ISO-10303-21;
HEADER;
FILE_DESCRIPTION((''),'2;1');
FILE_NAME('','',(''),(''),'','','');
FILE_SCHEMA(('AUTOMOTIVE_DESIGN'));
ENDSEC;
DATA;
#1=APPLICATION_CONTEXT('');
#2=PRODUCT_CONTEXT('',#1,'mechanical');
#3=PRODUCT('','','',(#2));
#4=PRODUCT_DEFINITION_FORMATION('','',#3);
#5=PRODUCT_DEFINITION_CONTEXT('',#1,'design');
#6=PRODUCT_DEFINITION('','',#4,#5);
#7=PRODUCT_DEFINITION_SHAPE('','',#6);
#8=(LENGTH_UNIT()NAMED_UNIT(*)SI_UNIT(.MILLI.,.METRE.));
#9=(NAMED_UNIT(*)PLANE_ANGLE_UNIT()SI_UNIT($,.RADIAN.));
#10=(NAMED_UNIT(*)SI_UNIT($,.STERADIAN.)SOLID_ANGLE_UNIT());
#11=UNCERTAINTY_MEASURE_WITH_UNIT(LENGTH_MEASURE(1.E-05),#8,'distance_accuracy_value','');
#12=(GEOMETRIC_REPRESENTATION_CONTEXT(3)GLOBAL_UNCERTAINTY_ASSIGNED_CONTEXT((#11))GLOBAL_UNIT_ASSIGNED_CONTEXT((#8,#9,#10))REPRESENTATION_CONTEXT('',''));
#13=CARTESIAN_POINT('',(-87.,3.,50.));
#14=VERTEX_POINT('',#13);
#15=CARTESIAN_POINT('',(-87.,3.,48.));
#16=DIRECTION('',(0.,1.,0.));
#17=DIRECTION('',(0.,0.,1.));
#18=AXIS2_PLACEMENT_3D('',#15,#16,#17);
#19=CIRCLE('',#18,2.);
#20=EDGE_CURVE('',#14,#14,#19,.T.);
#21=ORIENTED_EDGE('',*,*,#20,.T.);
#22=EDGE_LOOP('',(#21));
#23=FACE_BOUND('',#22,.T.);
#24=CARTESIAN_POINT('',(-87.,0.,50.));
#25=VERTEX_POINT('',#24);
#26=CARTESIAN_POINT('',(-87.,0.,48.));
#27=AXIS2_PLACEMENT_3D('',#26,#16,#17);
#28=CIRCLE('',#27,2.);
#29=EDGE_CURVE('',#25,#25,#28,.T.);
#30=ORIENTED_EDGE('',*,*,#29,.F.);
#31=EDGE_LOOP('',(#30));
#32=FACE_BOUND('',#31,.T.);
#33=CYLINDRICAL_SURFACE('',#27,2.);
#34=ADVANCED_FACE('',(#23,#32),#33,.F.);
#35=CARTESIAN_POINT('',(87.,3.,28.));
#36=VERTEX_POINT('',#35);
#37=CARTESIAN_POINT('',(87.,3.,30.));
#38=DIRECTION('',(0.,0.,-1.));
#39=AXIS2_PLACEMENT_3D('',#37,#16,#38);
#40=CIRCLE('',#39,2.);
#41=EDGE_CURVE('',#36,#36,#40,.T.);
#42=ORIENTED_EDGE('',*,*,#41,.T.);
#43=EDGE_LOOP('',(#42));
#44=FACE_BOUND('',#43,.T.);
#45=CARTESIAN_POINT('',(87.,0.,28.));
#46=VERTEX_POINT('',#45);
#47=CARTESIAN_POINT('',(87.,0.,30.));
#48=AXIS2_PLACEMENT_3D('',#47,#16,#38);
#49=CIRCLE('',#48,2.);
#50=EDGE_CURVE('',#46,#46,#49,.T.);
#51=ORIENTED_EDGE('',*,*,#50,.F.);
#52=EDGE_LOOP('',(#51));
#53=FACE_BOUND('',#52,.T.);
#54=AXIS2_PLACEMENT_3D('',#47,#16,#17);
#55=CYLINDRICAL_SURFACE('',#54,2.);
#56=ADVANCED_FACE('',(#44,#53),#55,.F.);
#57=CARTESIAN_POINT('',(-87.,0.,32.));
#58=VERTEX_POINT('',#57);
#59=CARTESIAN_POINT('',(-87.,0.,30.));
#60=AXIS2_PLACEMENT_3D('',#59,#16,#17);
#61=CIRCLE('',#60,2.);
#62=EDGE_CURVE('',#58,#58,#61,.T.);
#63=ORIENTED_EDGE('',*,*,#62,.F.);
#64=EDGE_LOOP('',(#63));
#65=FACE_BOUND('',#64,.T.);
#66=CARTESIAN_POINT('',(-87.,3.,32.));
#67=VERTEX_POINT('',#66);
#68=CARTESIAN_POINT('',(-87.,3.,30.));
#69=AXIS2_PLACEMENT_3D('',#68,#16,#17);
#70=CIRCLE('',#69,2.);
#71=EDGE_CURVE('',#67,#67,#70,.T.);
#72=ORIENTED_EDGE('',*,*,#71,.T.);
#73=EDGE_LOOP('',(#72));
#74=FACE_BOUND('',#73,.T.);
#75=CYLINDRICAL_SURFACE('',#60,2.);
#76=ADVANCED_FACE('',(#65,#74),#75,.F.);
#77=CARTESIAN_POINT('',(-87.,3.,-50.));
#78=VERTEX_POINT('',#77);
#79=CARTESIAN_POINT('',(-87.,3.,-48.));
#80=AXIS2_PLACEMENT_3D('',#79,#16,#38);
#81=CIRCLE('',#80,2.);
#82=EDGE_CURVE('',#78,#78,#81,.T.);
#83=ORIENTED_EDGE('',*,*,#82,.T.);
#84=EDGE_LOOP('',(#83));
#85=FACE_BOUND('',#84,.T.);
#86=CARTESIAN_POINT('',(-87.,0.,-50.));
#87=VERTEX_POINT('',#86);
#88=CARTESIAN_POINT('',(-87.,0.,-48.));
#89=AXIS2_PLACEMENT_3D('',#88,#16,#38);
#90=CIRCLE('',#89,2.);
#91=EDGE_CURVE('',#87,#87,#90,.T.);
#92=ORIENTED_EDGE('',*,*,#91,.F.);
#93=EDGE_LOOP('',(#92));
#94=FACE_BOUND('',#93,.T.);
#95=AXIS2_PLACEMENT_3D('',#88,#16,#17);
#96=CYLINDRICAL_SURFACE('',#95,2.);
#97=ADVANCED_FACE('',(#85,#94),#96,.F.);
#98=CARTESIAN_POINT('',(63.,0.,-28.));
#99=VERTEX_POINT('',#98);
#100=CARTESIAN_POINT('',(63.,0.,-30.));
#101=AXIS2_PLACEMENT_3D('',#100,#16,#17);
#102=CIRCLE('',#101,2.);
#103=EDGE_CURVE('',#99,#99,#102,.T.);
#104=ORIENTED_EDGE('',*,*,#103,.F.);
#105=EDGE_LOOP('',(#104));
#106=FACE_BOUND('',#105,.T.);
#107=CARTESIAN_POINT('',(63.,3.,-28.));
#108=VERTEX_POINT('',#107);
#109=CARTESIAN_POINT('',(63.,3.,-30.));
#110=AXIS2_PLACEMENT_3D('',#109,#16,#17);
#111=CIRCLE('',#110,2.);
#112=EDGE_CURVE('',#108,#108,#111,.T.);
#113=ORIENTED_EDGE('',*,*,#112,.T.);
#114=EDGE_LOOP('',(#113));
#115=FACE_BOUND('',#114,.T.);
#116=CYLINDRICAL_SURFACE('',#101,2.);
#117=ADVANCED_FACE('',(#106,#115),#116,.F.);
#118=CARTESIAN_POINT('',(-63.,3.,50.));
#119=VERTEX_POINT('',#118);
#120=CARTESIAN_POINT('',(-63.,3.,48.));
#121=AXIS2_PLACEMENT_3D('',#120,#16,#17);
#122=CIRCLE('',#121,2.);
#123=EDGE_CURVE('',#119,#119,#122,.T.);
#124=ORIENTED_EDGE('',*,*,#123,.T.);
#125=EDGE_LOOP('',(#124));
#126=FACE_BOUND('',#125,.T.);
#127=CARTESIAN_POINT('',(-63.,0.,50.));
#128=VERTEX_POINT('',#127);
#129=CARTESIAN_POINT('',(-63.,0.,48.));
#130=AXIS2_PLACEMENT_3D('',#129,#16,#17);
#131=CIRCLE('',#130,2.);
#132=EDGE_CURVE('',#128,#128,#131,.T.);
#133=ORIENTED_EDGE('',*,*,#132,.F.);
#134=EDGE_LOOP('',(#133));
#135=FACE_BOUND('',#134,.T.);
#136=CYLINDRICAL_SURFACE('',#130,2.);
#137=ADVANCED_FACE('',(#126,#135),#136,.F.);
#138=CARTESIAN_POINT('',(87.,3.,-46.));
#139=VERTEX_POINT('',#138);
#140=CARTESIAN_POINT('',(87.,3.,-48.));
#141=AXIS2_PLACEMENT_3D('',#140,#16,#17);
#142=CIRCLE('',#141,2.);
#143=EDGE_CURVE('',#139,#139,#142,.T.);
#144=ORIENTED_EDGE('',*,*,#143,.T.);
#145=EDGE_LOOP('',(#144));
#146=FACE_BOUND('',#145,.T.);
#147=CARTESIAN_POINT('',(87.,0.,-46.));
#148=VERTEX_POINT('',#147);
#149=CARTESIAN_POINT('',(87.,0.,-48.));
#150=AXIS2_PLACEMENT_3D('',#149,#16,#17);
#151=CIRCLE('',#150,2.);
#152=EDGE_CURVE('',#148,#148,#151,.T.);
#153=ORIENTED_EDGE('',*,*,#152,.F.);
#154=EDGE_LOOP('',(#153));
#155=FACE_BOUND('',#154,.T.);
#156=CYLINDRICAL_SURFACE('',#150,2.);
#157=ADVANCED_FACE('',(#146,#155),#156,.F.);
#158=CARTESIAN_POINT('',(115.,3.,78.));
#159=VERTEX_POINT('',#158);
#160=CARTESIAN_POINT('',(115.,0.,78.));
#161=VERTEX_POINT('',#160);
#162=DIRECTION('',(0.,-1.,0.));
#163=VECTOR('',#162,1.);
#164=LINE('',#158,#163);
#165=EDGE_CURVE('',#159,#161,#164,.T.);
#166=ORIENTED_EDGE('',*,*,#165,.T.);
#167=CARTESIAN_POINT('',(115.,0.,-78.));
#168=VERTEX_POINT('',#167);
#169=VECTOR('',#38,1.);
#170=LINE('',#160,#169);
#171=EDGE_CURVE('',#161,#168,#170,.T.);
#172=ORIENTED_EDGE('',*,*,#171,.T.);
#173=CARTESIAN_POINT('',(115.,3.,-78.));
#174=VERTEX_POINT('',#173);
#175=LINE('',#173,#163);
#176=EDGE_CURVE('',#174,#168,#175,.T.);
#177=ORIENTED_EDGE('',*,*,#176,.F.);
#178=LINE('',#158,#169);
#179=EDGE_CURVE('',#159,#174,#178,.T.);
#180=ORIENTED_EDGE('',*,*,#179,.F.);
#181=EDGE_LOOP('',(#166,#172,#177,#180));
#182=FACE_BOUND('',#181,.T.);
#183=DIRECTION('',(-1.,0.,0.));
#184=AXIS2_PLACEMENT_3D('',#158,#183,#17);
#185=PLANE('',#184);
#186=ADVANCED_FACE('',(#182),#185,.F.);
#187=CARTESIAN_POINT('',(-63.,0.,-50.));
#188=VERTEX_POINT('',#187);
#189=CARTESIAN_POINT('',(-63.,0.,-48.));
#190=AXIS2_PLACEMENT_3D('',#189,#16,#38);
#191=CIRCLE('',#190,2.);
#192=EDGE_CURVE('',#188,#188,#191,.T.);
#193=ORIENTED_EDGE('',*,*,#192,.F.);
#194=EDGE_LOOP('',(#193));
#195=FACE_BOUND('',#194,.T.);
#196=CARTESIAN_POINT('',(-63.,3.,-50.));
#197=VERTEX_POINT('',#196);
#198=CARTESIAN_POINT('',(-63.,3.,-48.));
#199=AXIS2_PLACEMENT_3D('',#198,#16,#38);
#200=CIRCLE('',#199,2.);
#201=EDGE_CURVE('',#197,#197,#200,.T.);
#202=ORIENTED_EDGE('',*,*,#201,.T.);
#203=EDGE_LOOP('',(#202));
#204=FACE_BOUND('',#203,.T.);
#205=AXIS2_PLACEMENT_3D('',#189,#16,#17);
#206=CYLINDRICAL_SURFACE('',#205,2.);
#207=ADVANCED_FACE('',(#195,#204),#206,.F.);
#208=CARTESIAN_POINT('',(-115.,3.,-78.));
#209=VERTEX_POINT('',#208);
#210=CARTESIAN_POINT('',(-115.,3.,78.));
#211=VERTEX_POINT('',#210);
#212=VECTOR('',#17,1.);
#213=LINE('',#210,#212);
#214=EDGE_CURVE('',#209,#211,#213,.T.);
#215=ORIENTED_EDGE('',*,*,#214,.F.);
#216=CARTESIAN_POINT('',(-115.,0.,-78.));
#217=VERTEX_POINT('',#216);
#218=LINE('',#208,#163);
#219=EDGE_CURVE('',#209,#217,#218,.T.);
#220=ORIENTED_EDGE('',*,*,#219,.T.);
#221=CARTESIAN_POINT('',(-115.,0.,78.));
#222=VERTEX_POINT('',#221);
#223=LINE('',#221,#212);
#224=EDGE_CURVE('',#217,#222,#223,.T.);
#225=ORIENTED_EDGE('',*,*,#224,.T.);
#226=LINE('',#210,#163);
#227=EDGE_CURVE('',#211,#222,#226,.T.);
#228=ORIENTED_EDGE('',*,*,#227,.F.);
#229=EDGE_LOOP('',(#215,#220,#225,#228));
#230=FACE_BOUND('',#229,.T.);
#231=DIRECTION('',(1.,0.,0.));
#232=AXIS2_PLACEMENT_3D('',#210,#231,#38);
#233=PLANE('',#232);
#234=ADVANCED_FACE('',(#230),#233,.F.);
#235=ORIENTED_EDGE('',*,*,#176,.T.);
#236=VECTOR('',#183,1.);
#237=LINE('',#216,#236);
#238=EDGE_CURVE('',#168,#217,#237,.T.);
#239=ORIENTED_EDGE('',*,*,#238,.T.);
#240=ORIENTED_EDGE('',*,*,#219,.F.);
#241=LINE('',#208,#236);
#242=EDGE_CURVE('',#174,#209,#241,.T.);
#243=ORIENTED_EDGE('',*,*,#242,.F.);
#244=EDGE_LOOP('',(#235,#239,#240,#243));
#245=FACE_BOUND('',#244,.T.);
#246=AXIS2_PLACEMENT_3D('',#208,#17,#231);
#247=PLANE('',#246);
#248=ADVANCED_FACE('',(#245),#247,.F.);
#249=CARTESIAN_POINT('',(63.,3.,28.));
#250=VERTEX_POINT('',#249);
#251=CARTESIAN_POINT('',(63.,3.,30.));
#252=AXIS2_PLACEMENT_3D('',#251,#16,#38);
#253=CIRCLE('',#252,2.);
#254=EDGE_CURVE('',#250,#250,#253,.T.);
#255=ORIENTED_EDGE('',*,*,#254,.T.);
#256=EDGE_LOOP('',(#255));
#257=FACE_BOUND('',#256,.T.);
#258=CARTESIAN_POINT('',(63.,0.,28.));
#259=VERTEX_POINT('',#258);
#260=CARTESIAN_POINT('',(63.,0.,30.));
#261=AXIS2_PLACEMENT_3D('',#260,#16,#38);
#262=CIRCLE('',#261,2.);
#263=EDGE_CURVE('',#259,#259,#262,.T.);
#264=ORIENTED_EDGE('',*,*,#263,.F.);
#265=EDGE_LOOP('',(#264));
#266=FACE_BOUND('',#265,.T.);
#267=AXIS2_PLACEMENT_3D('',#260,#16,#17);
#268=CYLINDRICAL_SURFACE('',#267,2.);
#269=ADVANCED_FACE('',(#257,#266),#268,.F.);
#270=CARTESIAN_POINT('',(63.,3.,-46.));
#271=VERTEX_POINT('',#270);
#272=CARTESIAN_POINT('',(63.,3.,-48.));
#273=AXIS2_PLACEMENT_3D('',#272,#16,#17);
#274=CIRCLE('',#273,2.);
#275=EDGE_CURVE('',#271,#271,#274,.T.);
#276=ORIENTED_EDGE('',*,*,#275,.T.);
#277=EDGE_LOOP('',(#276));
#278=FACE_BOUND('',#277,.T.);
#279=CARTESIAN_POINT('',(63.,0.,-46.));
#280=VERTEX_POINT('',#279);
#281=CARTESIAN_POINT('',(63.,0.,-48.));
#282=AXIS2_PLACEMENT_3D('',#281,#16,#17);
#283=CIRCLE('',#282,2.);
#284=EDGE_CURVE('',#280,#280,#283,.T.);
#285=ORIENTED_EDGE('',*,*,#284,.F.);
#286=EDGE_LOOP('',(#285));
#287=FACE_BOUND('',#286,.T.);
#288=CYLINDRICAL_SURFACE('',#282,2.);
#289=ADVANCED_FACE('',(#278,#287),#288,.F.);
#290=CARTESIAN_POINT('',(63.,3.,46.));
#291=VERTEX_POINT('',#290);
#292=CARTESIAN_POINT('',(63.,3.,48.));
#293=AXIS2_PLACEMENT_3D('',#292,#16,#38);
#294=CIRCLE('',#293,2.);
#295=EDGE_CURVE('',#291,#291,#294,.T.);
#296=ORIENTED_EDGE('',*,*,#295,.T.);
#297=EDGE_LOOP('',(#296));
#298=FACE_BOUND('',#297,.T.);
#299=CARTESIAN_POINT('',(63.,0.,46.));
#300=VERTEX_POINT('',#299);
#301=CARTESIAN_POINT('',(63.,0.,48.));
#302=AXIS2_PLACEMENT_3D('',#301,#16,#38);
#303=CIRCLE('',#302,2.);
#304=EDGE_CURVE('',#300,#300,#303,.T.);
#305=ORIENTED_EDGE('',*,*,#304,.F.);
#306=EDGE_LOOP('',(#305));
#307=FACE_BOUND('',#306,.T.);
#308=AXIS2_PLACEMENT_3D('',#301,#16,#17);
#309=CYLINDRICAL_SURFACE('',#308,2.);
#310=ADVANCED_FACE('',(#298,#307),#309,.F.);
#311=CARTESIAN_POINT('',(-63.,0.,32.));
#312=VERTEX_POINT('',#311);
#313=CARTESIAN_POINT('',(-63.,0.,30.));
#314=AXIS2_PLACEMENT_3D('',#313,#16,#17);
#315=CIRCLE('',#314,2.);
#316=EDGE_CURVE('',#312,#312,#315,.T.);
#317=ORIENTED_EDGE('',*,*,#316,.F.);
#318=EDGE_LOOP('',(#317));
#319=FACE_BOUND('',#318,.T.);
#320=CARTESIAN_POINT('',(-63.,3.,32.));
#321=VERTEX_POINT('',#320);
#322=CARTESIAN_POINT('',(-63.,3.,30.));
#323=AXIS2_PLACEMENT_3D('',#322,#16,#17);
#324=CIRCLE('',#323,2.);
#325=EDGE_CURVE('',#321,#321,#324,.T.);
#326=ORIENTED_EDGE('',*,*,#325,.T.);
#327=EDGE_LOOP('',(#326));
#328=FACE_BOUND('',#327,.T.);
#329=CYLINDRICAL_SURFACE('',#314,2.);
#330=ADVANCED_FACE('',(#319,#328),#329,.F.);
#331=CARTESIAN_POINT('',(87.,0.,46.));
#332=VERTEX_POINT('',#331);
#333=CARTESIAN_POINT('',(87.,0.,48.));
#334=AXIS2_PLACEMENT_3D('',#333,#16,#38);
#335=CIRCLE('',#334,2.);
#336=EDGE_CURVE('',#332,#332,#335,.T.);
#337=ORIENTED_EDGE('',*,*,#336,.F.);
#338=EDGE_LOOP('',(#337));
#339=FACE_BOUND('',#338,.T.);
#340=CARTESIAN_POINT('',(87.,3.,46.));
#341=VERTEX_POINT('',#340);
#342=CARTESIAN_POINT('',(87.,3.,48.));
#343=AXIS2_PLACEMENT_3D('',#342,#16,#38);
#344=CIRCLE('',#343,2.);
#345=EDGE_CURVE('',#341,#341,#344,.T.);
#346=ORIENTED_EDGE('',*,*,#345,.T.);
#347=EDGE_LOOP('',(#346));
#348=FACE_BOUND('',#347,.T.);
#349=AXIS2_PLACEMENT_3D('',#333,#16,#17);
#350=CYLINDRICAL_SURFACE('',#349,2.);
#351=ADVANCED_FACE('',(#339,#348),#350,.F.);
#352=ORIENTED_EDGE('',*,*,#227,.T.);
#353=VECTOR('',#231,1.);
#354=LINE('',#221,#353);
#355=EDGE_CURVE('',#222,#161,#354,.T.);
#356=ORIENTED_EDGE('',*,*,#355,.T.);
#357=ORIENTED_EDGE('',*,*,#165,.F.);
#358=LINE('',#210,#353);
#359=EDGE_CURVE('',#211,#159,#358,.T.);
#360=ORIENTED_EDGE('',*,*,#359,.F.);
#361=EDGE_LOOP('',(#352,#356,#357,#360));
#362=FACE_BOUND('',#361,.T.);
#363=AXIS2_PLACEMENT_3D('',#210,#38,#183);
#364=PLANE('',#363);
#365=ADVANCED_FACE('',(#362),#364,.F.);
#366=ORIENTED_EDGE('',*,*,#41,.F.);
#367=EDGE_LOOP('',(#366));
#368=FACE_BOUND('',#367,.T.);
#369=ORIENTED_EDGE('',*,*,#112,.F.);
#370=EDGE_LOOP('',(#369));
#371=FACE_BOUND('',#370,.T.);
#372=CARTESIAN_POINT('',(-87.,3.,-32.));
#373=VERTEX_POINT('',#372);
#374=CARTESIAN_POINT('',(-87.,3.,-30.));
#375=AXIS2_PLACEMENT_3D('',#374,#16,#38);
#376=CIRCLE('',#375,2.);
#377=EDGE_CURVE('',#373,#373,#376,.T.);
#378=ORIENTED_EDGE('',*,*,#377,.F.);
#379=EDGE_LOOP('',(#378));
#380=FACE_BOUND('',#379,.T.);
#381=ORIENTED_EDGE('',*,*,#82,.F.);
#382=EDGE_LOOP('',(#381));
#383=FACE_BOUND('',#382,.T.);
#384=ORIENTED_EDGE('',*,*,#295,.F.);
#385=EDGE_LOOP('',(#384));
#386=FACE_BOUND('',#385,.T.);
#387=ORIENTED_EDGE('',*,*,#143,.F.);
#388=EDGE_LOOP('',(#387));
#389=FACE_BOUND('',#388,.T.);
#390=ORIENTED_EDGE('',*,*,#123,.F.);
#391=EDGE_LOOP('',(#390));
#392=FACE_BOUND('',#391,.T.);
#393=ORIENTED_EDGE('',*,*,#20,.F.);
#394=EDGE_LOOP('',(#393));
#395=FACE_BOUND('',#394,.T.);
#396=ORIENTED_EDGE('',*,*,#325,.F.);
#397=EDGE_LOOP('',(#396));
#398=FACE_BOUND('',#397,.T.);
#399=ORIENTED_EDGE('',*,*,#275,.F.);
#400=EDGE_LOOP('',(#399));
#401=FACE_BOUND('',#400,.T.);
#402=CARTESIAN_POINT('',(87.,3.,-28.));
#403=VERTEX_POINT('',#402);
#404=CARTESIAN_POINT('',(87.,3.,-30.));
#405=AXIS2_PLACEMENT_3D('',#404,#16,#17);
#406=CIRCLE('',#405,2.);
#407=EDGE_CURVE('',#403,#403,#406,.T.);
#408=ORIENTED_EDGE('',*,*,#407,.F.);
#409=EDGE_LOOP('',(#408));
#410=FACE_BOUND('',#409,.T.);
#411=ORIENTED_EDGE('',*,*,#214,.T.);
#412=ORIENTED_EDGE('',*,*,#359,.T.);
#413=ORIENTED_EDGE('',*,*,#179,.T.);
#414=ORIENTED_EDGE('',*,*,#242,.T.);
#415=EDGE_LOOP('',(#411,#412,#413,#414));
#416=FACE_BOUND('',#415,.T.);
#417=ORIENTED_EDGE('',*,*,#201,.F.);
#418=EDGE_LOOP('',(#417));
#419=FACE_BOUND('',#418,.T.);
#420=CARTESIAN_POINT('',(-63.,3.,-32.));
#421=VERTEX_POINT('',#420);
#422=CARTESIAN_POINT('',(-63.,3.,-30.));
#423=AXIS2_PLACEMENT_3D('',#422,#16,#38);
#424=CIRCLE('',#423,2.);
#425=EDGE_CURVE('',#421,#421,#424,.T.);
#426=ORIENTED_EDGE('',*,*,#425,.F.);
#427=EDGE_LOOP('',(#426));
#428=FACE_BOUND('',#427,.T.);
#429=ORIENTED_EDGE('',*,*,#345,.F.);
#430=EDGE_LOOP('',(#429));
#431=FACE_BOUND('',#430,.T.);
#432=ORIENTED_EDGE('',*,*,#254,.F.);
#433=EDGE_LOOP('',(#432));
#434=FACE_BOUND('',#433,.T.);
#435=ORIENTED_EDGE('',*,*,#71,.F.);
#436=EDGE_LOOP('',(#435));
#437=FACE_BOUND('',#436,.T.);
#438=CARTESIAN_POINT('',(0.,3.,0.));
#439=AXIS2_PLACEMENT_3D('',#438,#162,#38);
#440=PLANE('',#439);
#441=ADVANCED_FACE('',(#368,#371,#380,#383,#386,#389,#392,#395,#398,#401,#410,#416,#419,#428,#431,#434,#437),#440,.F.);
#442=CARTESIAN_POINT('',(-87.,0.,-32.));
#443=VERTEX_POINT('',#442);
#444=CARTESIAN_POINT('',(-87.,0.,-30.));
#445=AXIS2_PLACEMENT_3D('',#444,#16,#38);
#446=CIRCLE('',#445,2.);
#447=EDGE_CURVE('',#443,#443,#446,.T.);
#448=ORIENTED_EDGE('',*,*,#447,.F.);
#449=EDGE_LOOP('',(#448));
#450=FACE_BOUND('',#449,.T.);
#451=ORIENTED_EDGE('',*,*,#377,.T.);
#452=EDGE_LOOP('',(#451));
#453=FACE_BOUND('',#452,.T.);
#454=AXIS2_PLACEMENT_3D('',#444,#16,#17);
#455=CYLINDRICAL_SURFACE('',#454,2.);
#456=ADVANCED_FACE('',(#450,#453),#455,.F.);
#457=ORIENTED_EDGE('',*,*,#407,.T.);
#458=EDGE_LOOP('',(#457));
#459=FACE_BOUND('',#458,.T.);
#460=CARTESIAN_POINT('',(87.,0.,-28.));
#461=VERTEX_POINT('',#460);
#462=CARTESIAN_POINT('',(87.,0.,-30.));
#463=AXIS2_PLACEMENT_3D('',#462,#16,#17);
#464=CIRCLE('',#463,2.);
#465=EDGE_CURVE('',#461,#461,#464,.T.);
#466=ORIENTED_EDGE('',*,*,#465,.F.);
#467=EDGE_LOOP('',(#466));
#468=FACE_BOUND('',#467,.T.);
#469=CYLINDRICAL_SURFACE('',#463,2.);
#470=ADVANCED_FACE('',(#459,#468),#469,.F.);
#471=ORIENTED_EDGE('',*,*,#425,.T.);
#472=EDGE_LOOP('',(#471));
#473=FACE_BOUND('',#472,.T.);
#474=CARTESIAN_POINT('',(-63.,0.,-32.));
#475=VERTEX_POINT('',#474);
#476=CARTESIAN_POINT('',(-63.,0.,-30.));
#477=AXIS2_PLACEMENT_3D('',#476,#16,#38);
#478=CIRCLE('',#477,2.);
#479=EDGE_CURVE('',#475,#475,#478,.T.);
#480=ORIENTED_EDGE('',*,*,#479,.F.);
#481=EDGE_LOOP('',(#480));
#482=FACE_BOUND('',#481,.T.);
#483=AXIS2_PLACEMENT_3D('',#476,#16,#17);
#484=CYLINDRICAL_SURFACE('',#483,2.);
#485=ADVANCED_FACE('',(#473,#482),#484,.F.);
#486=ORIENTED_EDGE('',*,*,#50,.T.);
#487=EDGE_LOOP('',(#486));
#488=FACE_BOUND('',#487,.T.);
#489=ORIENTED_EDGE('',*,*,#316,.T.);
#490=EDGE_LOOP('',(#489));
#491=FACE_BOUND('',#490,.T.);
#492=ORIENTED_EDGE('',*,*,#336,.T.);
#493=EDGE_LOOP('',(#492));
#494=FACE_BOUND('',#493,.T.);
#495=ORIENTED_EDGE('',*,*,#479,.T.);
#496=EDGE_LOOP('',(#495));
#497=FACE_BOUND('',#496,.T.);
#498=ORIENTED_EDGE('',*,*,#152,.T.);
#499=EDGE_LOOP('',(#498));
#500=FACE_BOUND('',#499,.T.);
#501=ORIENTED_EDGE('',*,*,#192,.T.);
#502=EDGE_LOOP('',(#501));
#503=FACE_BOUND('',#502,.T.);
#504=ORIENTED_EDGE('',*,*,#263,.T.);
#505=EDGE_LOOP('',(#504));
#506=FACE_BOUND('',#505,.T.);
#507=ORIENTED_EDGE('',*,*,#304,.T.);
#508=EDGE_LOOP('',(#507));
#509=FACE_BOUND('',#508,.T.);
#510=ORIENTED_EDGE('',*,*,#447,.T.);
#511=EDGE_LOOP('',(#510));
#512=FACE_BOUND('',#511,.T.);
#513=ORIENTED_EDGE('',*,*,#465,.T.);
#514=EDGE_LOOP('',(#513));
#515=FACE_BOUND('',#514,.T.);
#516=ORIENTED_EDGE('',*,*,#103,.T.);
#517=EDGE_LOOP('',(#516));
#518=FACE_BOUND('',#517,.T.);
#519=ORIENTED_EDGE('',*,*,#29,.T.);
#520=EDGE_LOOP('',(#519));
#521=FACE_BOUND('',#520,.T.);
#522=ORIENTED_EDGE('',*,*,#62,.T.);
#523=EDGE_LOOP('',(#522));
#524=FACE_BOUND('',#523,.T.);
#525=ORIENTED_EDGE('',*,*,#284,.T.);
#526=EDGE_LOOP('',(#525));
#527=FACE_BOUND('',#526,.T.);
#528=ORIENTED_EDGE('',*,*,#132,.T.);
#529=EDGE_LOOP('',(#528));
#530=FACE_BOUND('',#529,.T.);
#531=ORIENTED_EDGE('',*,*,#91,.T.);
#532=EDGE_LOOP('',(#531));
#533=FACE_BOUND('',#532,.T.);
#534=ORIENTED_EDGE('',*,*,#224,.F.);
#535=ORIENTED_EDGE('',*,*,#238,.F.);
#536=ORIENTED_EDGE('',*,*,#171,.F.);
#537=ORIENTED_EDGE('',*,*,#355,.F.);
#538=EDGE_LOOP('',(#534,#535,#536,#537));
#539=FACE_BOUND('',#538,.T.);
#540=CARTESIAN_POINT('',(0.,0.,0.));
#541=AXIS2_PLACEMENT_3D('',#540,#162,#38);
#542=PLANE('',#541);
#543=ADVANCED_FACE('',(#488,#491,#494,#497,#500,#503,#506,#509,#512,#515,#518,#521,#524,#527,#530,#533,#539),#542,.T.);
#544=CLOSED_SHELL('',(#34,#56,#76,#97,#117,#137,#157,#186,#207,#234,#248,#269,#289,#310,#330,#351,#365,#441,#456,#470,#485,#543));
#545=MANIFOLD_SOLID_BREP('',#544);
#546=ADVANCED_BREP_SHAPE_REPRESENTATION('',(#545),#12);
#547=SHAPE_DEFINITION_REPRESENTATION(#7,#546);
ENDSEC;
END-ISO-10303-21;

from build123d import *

# Parameters (mm, degrees)
SKETCH1_W           = 230
SKETCH1_H           = 156
BOSS_EXTRUDE1_DEPTH = 3
SKETCH2_R           = 2
CUT_EXTRUDE1_DEPTH  = 139.989208214


with BuildPart() as part:
    # Sketch1 → Boss-Extrude1 (new body)
    with BuildSketch(Plane(origin=(0, 0, 0), x_dir=(1, 0, 0), z_dir=(0, 1, 0))):
        Rectangle(SKETCH1_W, SKETCH1_H)
    extrude(amount=BOSS_EXTRUDE1_DEPTH)

    # Sketch2 → Cut-Extrude1 (cut, through all)
    with BuildSketch(Plane(origin=(0, 3, 0), x_dir=(1, 0, 0), z_dir=(0, 1, 0))):
        with Locations(Location((63, 48, 0), (0, 0, 270))):
            Circle(SKETCH2_R)
        with Locations(Location((87, 48, 0), (0, 0, 270))):
            Circle(SKETCH2_R)
        with Locations(Location((87, 30, 0), (0, 0, 270))):
            Circle(SKETCH2_R)
        with Locations(Location((63, 30, 0), (0, 0, 270))):
            Circle(SKETCH2_R)
        with Locations(Location((-63, 30, 0), (0, 0, 90))):
            Circle(SKETCH2_R)
        with Locations(Location((-87, 30, 0), (0, 0, 90))):
            Circle(SKETCH2_R)
        with Locations(Location((-87, 48, 0), (0, 0, 90))):
            Circle(SKETCH2_R)
        with Locations(Location((-63, 48, 0), (0, 0, 90))):
            Circle(SKETCH2_R)
        with Locations(Location((-63, -48, 0), (0, 0, 270))):
            Circle(SKETCH2_R)
        with Locations(Location((-87, -48, 0), (0, 0, 270))):
            Circle(SKETCH2_R)
        with Locations(Location((-87, -30, 0), (0, 0, 270))):
            Circle(SKETCH2_R)
        with Locations(Location((-63, -30, 0), (0, 0, 270))):
            Circle(SKETCH2_R)
        with Locations(Location((63, -30, 0), (0, 0, 90))):
            Circle(SKETCH2_R)
        with Locations(Location((87, -30, 0), (0, 0, 90))):
            Circle(SKETCH2_R)
        with Locations(Location((87, -48, 0), (0, 0, 90))):
            Circle(SKETCH2_R)
        with Locations(Location((63, -48, 0), (0, 0, 90))):
            Circle(SKETCH2_R)
    extrude(amount=-CUT_EXTRUDE1_DEPTH, mode=Mode.SUBTRACT)


solid = part.part
